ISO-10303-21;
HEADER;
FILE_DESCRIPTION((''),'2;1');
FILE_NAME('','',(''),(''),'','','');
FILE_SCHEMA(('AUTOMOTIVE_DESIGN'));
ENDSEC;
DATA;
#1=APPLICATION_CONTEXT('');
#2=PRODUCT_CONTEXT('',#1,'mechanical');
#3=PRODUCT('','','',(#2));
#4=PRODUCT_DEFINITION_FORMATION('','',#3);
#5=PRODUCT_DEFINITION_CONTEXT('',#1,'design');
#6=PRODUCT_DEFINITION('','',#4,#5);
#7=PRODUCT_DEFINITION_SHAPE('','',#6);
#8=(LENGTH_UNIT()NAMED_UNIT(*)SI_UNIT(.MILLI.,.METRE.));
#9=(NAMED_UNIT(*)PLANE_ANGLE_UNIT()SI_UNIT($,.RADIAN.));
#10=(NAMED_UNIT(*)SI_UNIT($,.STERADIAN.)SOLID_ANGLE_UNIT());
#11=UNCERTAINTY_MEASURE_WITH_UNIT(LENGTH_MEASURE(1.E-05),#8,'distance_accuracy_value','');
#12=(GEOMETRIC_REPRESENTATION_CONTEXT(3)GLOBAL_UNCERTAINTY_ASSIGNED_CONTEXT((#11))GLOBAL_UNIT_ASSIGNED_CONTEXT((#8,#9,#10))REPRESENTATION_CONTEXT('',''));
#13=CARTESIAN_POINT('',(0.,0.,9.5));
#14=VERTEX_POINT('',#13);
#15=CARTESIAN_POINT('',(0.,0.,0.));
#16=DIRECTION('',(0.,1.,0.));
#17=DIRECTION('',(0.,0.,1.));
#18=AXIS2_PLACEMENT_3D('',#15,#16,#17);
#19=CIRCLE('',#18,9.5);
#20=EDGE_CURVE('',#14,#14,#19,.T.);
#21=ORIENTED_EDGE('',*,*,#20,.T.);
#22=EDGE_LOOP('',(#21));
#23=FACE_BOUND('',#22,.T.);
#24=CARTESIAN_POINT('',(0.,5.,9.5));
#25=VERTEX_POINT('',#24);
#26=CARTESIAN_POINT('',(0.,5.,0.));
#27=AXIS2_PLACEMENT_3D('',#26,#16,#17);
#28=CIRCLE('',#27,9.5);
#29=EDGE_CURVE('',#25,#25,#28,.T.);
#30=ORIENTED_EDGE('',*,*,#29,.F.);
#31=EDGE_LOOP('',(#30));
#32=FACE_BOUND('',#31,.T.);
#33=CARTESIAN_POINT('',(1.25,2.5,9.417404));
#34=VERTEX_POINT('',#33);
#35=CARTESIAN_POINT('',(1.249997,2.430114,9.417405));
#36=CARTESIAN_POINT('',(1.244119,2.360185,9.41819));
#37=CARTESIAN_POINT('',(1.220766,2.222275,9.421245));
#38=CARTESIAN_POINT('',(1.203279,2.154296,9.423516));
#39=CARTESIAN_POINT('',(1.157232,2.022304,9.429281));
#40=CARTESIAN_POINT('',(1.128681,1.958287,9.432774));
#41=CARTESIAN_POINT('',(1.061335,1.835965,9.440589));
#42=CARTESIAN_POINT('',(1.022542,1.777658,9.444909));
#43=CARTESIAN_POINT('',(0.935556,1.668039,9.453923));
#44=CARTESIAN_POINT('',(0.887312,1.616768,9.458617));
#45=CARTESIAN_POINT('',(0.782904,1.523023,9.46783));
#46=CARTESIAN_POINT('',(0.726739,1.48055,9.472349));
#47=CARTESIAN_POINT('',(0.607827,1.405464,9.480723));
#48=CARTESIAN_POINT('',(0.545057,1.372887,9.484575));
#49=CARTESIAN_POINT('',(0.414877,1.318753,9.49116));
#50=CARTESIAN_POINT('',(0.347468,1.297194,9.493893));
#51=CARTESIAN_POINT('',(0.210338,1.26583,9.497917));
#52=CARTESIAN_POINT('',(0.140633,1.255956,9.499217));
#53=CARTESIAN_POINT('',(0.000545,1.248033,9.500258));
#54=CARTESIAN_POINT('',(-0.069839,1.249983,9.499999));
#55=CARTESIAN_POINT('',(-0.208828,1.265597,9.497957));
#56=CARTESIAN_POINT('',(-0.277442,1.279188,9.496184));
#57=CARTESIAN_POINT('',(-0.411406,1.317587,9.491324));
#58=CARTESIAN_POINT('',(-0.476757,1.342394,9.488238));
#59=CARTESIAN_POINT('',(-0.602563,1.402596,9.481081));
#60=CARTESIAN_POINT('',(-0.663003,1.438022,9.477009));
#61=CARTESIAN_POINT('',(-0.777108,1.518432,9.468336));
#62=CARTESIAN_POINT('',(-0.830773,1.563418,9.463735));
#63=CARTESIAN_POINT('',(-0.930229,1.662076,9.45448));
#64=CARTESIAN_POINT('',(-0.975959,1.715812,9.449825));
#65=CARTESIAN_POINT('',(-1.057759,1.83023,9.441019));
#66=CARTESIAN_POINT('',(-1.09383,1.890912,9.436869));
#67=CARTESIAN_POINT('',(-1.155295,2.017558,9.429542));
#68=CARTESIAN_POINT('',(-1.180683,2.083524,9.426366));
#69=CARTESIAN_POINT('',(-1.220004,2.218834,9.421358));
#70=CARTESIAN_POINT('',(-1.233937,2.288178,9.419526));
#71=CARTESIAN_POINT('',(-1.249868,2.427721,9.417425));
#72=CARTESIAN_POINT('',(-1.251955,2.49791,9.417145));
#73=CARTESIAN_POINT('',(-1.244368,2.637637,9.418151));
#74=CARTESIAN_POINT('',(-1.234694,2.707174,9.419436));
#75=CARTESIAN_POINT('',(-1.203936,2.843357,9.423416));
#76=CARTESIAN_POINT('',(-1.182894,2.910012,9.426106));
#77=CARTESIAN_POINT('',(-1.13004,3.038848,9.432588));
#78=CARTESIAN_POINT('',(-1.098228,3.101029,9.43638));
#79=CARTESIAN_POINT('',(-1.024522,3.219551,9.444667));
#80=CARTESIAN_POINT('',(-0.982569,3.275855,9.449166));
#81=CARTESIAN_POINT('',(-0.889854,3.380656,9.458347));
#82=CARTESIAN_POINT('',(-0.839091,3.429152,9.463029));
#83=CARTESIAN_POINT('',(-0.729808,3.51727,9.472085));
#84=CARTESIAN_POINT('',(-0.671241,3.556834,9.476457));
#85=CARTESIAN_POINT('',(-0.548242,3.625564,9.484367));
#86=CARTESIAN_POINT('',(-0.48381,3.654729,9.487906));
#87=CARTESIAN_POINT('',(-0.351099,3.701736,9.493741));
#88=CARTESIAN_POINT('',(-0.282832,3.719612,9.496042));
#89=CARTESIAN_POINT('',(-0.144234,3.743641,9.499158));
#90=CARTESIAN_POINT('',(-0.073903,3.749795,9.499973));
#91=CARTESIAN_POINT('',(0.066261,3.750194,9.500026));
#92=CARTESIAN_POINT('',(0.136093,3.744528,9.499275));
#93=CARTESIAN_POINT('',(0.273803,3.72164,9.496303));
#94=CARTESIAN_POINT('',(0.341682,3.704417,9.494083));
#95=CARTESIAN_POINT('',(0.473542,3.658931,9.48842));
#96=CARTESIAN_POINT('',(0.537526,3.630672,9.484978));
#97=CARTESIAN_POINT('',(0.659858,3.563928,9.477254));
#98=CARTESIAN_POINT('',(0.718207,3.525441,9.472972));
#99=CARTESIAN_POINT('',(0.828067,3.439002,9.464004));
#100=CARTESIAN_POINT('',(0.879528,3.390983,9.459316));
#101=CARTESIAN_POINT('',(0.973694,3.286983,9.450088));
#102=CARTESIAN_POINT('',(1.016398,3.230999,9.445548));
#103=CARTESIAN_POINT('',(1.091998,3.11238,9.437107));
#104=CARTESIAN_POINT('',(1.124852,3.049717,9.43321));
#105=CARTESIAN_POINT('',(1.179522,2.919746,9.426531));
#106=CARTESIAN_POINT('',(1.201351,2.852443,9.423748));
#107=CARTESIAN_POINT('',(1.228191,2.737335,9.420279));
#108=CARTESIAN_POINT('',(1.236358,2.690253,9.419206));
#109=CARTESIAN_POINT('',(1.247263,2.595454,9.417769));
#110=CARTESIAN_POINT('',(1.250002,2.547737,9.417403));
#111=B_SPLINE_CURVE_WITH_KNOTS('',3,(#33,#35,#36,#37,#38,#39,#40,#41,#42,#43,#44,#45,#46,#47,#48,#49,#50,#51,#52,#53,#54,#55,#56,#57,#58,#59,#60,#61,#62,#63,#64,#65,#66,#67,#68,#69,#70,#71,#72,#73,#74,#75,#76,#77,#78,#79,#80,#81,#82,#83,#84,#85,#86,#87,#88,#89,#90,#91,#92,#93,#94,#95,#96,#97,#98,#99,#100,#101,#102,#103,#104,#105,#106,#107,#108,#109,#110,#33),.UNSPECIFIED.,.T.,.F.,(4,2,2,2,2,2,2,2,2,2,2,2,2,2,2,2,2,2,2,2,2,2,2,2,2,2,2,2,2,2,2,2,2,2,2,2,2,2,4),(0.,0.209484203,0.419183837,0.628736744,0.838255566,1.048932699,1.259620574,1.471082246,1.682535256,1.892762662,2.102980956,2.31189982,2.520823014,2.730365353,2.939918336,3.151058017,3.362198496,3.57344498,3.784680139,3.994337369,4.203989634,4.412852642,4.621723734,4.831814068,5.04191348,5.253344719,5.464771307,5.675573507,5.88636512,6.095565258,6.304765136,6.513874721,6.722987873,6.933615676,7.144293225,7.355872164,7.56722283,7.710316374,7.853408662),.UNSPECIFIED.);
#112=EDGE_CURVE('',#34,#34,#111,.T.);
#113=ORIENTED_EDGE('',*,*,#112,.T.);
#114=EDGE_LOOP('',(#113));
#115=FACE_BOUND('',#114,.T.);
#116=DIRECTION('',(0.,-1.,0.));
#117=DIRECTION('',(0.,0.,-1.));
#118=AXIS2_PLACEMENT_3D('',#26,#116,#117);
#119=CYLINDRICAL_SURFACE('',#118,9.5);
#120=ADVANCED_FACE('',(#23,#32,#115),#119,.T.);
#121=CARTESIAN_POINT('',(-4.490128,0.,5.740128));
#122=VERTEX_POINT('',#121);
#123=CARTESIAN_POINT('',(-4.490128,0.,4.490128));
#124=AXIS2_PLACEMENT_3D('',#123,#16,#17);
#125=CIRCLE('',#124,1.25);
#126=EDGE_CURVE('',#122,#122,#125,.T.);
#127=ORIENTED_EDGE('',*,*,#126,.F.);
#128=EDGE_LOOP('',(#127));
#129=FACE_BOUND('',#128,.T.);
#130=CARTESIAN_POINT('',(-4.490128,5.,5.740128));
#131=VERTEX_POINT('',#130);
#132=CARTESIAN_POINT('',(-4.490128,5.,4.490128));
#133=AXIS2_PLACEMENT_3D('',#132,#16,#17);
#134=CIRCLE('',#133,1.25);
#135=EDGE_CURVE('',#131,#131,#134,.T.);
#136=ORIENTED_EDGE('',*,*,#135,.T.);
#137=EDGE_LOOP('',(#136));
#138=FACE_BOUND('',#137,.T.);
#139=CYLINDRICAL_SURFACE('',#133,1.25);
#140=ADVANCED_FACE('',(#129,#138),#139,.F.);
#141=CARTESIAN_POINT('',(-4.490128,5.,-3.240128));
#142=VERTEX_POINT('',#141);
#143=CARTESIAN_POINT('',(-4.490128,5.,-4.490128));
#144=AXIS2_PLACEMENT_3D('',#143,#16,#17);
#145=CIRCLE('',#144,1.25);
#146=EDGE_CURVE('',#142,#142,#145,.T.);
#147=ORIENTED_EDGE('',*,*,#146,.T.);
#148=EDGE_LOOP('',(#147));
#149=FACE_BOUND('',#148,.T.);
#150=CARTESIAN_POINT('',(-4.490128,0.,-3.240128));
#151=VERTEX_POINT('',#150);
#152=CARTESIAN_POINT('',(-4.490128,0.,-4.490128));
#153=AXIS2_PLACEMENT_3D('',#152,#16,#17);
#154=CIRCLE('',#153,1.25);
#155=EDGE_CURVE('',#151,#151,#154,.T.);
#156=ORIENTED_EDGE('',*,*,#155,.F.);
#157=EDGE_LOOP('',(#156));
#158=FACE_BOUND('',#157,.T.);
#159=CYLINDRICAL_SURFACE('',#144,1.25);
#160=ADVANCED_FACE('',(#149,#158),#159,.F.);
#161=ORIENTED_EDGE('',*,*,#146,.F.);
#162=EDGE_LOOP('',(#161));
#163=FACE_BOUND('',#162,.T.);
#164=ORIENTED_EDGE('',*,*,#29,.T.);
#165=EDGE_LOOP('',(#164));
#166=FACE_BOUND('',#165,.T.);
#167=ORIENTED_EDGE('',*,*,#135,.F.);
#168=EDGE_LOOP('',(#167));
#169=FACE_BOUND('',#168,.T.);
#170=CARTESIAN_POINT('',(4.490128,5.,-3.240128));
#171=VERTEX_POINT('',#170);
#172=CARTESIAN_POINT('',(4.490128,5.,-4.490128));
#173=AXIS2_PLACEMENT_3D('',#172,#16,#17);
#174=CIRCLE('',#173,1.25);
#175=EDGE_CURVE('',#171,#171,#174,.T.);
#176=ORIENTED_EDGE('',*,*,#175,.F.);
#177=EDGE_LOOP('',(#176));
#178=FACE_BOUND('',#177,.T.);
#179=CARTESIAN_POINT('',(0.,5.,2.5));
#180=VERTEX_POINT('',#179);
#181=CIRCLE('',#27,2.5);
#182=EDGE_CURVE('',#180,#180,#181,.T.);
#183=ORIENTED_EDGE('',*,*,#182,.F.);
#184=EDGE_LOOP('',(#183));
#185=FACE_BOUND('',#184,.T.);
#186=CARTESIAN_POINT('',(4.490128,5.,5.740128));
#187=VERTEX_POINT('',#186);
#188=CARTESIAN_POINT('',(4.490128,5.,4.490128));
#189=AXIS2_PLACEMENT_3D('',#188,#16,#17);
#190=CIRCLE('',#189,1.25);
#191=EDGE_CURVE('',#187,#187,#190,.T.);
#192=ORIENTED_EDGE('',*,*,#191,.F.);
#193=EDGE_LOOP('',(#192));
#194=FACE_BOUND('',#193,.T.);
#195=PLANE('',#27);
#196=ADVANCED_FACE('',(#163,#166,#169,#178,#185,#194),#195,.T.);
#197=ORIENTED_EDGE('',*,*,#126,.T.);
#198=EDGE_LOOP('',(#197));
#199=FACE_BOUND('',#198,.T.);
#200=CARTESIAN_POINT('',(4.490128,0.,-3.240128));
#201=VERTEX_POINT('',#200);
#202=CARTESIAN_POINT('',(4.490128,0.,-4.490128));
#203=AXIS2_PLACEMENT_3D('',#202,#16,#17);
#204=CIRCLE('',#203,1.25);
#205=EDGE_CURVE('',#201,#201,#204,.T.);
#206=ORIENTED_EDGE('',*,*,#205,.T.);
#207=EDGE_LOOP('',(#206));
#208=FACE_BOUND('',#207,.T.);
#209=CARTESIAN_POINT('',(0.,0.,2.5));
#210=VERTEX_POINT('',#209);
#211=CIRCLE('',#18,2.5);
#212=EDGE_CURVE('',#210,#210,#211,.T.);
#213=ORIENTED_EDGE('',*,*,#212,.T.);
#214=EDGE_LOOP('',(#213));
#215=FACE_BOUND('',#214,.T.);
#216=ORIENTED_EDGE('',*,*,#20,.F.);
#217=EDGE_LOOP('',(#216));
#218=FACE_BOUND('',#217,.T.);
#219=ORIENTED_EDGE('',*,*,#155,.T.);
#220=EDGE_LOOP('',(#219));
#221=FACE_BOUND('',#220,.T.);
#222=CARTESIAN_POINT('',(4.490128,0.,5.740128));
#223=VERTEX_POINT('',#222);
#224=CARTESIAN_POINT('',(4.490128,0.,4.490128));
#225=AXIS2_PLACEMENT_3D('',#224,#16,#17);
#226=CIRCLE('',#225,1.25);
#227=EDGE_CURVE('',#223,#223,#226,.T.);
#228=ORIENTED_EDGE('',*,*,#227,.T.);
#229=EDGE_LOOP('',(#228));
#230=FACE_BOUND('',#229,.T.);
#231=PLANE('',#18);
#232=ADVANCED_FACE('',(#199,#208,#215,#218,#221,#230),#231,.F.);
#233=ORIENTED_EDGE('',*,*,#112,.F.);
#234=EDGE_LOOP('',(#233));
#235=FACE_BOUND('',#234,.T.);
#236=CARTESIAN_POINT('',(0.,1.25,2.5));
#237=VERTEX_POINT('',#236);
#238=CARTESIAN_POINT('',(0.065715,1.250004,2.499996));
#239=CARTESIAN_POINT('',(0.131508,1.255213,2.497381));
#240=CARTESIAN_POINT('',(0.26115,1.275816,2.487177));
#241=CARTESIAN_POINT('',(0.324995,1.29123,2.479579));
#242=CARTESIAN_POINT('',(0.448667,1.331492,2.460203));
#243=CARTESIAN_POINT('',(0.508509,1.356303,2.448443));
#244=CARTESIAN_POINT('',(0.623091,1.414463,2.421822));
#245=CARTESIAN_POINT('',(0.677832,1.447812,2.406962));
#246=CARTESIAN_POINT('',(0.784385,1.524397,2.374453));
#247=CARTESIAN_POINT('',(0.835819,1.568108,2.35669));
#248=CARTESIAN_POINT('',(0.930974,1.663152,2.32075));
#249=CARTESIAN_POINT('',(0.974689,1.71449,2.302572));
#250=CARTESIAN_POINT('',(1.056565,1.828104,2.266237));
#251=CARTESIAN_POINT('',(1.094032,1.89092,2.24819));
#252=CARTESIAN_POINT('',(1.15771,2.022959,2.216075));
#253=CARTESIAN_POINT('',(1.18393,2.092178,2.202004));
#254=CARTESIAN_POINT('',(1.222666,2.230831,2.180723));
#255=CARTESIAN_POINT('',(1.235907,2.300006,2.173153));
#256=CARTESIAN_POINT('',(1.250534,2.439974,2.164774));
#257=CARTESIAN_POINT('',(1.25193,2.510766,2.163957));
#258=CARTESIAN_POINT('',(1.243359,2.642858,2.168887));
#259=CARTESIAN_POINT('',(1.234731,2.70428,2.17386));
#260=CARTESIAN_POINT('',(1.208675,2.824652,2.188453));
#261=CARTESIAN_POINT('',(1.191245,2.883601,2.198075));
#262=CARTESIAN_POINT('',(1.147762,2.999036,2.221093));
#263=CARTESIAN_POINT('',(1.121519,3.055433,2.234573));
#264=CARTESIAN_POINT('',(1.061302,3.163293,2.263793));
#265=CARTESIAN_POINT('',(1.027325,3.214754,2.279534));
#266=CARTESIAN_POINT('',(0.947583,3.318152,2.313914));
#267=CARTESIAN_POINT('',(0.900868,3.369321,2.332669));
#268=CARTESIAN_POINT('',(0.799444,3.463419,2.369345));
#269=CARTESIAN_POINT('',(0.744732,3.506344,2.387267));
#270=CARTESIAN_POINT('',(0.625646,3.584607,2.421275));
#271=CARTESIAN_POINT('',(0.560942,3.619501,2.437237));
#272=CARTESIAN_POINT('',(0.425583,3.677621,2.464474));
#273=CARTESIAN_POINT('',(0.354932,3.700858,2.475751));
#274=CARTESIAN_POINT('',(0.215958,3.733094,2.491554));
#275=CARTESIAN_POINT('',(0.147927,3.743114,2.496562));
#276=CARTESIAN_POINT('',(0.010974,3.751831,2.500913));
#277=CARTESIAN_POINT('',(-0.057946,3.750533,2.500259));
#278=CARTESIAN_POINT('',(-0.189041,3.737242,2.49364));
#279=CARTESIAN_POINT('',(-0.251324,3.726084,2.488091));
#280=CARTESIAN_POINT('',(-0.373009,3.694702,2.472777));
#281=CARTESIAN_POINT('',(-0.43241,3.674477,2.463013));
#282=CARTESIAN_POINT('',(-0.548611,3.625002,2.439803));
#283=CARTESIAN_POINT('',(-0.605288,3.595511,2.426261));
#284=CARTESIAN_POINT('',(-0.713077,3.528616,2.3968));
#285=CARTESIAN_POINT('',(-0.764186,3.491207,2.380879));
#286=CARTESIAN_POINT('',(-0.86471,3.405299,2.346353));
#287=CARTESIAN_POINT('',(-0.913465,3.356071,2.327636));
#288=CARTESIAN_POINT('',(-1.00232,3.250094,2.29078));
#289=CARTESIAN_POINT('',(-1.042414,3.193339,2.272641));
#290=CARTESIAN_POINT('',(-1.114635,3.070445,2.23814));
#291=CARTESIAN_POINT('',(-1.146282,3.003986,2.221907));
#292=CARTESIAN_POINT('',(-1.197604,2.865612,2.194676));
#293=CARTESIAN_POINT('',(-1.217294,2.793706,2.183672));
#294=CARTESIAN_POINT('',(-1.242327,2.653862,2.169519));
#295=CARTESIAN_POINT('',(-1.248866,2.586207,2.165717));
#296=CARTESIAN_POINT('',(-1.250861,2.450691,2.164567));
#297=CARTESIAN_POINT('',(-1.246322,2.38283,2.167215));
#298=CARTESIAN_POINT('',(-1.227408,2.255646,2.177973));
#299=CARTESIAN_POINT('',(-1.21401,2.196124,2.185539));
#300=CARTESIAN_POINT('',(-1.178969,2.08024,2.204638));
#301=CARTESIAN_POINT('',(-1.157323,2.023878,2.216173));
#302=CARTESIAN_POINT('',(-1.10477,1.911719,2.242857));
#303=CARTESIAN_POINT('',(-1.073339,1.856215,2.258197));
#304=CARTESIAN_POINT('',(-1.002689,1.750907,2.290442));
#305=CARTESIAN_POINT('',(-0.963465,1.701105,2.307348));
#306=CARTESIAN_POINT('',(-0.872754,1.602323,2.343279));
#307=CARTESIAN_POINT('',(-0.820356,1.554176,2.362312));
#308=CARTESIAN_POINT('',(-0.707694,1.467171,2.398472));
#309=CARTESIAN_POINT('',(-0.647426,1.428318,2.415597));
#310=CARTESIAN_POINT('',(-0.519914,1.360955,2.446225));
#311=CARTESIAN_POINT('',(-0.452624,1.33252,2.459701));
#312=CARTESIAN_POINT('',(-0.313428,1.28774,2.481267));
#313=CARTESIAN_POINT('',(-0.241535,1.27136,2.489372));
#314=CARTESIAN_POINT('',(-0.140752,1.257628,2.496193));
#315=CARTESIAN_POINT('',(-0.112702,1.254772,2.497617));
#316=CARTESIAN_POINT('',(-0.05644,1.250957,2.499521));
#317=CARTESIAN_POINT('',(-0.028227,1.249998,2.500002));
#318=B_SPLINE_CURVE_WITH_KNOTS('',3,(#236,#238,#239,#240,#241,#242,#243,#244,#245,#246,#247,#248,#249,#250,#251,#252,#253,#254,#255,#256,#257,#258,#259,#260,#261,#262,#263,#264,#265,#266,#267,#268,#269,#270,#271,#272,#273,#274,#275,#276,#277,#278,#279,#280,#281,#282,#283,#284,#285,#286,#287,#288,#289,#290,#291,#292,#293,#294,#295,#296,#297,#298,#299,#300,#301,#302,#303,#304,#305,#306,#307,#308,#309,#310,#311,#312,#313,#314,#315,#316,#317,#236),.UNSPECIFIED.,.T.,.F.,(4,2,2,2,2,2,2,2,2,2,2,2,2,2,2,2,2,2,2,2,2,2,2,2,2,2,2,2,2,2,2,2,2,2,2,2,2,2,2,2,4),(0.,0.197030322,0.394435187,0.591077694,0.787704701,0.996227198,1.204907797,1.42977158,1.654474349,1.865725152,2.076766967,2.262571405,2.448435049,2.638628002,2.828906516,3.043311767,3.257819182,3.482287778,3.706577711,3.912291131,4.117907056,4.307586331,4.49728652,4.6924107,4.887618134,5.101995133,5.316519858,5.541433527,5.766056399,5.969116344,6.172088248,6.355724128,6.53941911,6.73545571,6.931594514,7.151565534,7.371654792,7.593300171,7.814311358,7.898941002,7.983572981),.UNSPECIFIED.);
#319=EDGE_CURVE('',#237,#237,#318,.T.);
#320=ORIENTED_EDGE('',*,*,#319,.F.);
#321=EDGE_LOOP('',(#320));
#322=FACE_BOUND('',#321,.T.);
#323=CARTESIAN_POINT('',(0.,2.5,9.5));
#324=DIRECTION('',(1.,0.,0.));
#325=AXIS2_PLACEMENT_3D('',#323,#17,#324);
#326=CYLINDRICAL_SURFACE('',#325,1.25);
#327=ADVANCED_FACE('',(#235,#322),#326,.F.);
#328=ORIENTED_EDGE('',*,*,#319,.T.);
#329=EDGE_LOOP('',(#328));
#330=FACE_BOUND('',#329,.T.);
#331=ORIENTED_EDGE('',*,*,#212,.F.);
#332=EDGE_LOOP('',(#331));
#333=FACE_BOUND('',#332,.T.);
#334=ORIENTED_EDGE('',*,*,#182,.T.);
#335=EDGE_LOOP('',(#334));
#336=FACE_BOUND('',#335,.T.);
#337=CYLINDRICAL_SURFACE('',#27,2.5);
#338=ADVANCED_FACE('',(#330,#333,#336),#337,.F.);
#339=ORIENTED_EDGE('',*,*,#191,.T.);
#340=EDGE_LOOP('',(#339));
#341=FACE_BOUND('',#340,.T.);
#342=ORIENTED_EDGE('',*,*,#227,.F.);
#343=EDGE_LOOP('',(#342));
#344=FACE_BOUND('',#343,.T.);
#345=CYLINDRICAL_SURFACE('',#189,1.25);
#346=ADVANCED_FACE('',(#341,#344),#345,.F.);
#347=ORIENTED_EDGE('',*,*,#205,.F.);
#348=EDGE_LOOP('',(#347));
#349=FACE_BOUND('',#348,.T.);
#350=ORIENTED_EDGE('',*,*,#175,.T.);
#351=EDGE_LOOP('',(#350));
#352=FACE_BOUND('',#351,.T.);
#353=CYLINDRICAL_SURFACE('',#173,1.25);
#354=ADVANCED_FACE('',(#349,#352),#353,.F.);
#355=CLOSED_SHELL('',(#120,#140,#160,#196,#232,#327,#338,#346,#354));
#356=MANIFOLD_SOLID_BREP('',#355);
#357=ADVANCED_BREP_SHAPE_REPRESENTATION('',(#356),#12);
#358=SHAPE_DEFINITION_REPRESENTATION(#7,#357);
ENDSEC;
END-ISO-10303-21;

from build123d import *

# Parameters (mm, degrees)
SKETCH1_R                 = 9.5
BOSS_EXTRUDE1_DEPTH       = 5
F_5_0MM_DOWEL_HOLE1_D     = 5
M3X0_5_TAPPED_HOLE1_D     = 2.5
M3X0_5_TAPPED_HOLE2_D     = 2.5
M3X0_5_TAPPED_HOLE2_DEPTH = 10
M3X0_5_TAPPED_HOLE2_TIP   = 0.751075774


with BuildPart() as part:
    # Sketch1 → Boss-Extrude1 (new body)
    with BuildSketch(Plane(origin=(0, 0, 0), x_dir=(1, 0, 0), z_dir=(0, 1, 0))):
        Circle(SKETCH1_R)
    extrude(amount=BOSS_EXTRUDE1_DEPTH)

    # Ø5.0mm Dowel Hole1 (through all)
    with Locations(Plane(origin=(0, 5, 0), x_dir=(1, 0, 0), z_dir=(0, 1, 0))):
        with Locations((0, 0)):
            Hole(F_5_0MM_DOWEL_HOLE1_D / 2)

    # M3x0.5 Tapped Hole1 (through all)
    with Locations(Plane(origin=(0, 5, 0), x_dir=(1, 0, 0), z_dir=(0, 1, 0))):
        with Locations((4.490128061, 4.490128061), (-4.490128061, 4.490128061), (-4.490128061, -4.490128061), (4.490128061, -4.490128061)):
            Hole(M3X0_5_TAPPED_HOLE1_D / 2)

    # M3x0.5 Tapped Hole2
    with Locations(Plane(origin=(0, 2.5, 9.5), x_dir=(1, 0, 0), z_dir=(0, 0, 1))):
        with Locations((0, 0)):
            Hole(M3X0_5_TAPPED_HOLE2_D / 2, depth=M3X0_5_TAPPED_HOLE2_DEPTH)
            with Locations((0, 0, -(M3X0_5_TAPPED_HOLE2_DEPTH + M3X0_5_TAPPED_HOLE2_TIP / 2))):  # 118° drill point
                Cone(0, M3X0_5_TAPPED_HOLE2_D / 2, M3X0_5_TAPPED_HOLE2_TIP, mode=Mode.SUBTRACT)


solid = part.part
